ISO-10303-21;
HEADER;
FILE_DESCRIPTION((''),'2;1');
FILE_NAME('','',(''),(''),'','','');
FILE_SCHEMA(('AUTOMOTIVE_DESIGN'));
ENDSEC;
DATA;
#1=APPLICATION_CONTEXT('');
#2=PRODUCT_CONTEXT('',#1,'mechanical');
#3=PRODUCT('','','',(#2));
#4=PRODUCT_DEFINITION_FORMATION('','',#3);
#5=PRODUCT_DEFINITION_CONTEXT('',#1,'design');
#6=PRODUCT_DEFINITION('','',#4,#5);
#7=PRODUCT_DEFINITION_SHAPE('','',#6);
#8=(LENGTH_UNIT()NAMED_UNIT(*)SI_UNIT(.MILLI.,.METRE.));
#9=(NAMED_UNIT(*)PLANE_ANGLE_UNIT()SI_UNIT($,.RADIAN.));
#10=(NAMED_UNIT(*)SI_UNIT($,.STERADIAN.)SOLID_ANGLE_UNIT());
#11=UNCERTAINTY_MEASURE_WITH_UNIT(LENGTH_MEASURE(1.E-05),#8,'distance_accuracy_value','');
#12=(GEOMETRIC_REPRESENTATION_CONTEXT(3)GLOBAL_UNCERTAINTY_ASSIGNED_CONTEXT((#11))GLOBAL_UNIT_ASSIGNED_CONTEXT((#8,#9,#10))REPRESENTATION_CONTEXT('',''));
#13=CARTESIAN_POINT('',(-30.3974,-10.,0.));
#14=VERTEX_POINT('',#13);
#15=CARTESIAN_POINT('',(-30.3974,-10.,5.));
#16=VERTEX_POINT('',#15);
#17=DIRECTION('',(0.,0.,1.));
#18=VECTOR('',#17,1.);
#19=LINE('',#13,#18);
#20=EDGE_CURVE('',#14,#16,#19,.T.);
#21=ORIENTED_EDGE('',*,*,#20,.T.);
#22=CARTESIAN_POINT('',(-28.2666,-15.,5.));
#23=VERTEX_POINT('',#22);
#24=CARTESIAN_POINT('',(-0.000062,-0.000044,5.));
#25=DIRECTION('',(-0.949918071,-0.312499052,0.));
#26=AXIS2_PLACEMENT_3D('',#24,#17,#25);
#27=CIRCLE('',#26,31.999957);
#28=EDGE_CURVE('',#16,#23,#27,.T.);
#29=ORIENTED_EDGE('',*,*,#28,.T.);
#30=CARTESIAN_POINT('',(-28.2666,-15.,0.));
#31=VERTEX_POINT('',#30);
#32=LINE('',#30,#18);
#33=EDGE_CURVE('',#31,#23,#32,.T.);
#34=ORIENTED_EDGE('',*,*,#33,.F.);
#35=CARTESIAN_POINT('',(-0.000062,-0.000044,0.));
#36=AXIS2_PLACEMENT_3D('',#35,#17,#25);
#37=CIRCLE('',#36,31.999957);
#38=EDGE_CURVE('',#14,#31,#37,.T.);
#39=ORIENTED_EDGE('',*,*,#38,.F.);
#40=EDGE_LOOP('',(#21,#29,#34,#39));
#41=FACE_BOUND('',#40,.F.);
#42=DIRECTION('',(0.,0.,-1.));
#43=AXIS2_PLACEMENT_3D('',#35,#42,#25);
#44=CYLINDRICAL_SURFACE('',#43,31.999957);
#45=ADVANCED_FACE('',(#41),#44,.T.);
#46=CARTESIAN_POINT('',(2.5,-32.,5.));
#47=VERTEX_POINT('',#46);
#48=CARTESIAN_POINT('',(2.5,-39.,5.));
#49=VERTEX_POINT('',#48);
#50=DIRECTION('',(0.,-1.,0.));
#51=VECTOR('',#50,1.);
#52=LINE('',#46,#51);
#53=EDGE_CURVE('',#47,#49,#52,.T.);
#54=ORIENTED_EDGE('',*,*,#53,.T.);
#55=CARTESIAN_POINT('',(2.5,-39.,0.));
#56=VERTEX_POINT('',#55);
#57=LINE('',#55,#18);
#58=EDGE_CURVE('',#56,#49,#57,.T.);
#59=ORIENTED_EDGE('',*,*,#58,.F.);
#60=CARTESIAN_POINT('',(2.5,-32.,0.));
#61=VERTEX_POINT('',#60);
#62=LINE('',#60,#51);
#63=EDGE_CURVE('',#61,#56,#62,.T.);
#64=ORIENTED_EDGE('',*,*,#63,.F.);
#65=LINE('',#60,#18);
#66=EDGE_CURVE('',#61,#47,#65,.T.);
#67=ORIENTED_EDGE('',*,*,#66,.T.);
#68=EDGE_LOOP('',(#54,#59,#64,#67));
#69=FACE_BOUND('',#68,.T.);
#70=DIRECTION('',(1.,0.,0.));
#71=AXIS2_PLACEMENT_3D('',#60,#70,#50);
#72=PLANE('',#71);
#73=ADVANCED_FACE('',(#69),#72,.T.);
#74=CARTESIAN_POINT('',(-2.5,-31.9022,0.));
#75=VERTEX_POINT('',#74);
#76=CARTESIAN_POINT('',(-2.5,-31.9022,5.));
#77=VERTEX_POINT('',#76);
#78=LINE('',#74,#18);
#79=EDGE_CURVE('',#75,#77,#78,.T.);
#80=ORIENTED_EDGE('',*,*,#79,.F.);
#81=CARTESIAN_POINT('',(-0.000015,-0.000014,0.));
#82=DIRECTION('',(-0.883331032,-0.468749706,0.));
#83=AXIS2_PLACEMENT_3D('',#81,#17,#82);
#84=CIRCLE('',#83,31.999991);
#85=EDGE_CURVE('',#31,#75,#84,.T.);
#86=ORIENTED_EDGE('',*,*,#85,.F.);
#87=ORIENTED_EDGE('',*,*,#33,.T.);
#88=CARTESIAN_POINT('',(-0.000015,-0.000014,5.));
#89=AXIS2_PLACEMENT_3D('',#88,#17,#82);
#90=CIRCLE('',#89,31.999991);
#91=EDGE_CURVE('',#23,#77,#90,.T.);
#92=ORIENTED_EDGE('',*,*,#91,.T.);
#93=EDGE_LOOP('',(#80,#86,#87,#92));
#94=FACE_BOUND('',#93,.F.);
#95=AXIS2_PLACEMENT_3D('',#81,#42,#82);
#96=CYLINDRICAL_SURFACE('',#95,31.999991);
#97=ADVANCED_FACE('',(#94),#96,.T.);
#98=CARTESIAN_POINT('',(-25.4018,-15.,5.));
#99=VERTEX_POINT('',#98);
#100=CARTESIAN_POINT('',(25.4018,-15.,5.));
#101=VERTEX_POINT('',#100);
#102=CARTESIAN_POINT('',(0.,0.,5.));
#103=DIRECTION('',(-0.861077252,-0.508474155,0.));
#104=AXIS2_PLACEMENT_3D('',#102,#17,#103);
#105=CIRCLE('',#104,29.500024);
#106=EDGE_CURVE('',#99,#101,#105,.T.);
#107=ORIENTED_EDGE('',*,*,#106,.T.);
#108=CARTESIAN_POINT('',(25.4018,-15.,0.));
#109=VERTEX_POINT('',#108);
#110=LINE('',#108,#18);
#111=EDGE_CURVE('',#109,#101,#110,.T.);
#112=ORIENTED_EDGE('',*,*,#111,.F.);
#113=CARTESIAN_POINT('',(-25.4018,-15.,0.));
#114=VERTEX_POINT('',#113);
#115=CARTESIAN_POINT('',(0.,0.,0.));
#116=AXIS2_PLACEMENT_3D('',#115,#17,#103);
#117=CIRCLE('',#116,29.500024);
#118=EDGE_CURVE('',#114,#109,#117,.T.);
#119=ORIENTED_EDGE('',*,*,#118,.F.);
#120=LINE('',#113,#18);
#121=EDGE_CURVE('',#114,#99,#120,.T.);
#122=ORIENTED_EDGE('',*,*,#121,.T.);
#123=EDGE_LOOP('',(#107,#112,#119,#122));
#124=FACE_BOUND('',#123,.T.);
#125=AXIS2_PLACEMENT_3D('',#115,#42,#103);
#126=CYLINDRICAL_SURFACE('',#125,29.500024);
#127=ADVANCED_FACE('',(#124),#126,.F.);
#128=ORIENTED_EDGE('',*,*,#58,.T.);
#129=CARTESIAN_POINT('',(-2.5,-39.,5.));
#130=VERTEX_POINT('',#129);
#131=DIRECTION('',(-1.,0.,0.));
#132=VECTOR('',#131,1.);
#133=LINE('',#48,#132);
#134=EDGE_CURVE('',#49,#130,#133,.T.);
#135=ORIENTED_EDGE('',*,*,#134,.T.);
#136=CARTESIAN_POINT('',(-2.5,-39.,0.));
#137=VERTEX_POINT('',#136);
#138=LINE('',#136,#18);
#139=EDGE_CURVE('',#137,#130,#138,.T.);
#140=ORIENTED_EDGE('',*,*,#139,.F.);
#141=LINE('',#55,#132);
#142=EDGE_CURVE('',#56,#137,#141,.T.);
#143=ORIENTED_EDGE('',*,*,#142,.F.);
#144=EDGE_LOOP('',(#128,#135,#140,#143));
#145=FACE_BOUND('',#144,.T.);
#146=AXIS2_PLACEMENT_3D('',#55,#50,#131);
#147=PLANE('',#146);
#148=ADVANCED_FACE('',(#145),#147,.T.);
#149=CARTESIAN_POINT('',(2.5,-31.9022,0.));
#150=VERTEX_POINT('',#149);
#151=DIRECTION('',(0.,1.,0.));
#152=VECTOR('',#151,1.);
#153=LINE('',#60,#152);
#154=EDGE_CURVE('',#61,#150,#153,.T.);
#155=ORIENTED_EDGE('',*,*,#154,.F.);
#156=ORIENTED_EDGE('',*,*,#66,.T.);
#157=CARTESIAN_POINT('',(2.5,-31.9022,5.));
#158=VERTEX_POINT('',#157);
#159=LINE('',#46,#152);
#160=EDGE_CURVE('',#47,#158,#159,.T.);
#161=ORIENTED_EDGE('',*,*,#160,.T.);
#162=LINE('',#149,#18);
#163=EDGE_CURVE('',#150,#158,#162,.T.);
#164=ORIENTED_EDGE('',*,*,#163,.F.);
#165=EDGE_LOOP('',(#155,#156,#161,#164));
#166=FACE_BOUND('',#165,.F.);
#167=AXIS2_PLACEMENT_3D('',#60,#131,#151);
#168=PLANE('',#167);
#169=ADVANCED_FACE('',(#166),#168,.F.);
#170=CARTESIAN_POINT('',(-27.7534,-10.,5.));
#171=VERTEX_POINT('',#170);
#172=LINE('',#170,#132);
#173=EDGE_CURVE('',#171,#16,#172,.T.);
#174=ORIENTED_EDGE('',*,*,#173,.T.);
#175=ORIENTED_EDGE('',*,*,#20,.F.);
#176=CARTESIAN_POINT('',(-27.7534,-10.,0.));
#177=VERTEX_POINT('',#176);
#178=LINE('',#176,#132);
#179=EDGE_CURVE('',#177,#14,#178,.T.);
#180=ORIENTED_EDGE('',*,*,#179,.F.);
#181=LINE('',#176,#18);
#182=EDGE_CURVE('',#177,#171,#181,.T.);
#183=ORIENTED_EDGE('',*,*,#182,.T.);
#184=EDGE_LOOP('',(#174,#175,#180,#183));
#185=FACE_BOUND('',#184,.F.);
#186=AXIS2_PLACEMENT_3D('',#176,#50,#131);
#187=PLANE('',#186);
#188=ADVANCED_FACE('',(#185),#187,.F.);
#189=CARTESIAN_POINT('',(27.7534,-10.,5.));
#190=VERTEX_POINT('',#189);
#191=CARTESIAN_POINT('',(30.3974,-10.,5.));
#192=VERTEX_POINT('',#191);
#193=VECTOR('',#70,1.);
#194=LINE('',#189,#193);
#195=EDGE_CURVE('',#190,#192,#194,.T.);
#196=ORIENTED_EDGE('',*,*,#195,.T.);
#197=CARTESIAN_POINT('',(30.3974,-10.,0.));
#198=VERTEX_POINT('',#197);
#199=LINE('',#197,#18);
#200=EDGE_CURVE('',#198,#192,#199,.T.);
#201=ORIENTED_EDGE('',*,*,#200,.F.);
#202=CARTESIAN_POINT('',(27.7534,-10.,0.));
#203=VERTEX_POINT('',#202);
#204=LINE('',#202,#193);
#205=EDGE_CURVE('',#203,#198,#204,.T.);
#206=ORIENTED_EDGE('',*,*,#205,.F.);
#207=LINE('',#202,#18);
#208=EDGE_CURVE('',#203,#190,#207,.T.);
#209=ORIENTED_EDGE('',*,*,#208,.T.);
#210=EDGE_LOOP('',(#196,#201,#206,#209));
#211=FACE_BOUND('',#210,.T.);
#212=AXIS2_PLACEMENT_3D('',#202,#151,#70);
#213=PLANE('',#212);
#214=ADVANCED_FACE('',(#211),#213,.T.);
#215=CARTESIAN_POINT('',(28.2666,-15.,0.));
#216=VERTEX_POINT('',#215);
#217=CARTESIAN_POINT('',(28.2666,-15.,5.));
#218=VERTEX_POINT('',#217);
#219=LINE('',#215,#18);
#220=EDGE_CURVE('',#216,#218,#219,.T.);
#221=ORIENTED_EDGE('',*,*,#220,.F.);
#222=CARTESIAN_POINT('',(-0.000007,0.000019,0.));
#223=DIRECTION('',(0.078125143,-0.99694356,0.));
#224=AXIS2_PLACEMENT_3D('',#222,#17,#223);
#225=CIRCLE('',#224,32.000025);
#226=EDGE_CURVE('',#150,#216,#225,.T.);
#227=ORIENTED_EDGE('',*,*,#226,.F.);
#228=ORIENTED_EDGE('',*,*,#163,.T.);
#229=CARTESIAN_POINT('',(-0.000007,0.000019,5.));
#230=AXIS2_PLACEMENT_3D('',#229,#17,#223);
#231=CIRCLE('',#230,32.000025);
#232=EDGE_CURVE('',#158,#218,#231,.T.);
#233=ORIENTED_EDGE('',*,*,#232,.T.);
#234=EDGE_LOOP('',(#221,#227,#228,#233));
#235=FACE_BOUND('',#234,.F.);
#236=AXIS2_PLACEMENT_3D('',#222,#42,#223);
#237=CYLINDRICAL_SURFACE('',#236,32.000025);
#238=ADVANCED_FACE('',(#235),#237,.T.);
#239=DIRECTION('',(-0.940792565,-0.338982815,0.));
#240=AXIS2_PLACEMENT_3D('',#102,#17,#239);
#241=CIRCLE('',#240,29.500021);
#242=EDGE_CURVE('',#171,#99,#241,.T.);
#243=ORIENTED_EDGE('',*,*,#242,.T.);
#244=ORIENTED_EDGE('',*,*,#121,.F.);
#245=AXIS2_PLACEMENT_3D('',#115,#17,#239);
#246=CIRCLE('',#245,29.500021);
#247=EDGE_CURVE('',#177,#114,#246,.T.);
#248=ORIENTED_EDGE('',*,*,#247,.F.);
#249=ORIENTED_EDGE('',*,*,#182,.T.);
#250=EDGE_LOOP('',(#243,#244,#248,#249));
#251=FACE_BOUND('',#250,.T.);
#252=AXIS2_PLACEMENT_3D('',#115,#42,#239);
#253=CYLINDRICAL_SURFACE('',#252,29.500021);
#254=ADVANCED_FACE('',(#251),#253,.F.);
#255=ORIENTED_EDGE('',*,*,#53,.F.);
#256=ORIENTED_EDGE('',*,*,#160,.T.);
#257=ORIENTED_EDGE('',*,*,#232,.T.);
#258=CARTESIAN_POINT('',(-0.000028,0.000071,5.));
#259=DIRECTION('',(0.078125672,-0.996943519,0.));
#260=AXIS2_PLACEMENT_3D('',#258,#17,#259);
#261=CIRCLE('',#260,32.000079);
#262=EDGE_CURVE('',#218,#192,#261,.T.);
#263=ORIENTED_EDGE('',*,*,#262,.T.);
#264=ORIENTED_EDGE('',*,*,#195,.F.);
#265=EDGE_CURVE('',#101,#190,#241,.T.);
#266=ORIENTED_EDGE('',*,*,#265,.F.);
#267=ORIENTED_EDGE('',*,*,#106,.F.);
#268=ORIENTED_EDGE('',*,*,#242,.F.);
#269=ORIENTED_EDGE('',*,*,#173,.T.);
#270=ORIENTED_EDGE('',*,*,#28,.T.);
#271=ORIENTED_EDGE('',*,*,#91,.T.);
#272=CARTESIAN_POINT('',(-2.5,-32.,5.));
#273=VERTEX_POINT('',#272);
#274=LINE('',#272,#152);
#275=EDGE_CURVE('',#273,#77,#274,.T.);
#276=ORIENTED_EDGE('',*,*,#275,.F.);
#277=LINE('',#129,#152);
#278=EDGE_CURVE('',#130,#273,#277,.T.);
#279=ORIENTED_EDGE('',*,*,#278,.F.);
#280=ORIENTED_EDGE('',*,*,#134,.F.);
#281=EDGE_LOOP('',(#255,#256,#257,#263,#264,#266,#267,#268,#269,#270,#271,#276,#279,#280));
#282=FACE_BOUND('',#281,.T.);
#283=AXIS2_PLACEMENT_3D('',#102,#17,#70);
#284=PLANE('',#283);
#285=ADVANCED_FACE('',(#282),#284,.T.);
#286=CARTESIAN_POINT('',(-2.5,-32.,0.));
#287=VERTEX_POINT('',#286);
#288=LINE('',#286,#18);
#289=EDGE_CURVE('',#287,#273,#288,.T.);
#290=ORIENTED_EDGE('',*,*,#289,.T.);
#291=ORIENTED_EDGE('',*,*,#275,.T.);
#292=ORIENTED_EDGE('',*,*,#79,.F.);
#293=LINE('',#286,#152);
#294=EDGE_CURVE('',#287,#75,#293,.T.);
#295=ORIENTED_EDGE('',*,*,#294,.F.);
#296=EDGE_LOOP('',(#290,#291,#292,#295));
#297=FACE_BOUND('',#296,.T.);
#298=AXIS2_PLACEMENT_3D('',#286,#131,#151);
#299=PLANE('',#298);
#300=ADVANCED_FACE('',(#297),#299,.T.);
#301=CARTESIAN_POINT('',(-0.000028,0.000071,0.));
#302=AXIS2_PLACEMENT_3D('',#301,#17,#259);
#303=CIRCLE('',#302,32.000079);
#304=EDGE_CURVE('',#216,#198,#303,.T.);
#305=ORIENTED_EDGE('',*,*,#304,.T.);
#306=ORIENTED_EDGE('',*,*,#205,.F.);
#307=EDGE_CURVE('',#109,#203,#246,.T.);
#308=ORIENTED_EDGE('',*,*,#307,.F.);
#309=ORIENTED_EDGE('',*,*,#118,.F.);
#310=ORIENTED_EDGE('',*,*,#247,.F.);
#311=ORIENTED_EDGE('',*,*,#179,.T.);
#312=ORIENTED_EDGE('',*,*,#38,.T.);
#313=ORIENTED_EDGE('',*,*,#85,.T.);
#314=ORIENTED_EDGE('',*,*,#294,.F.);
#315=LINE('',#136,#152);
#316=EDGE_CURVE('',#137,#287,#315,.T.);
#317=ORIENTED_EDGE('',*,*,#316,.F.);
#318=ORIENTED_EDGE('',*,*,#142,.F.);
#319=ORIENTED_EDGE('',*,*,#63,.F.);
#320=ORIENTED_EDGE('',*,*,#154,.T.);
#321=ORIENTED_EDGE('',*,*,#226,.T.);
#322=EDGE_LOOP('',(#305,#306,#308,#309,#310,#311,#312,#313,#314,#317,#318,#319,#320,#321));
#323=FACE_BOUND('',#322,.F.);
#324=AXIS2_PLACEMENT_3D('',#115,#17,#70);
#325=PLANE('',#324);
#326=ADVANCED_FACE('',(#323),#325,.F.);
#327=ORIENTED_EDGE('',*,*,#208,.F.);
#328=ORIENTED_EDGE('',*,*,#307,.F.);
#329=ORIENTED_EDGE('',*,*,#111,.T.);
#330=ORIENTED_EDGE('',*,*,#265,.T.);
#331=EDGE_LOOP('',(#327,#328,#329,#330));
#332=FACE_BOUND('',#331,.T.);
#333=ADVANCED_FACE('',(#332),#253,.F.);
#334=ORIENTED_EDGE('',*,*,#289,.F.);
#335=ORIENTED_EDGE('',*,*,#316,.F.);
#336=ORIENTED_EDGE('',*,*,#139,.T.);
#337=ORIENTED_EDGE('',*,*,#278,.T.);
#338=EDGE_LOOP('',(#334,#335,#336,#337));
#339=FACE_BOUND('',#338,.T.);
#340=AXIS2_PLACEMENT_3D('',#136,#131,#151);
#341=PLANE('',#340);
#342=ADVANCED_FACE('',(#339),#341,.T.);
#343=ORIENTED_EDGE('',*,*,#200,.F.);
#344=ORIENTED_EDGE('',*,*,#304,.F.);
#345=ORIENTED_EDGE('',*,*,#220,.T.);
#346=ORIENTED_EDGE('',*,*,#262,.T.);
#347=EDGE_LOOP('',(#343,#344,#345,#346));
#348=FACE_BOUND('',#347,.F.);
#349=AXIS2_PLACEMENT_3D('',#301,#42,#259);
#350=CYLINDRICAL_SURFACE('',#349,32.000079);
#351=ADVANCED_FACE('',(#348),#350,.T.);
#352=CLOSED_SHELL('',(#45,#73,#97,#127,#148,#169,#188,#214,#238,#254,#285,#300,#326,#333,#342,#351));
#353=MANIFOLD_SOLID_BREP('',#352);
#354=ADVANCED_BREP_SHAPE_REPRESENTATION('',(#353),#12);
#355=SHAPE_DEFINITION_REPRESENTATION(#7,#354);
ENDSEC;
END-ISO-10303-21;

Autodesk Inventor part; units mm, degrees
ref_plane "YZ Plane" through (0, 0, 0) normal (1, 0, 0) x (0, 1, 0)
ref_plane "XZ Plane" through (0, 0, 0) normal (0, 1, 0) x (-1, 0, 0)
ref_plane "XY Plane" through (0, 0, 0) normal (0, 0, 1) x (1, 0, 0)
sketch "Sketch1" plane through (0, 0, 0) normal (0, 0, 1) x (1, 0, 0)
  arc A0 (-25.4018, -15) -> (25.4018, -15) centre (0, 0) ccw
  line L0 (2.5, -32) -> (2.5, -39)
  line L1 (2.5, -39) -> (-2.5, -39)
  line L2 (-2.5, -39) -> (-2.5, -32)
  line L3 (-2.5, -32) -> (-2.5, -31.9022)
  line L4 (2.5, -32) -> (2.5, -31.9022)
  arc A1 (-28.2666, -15) -> (-2.5, -31.9022) centre (0, 0) ccw
  arc A2 (2.5, -31.9022) -> (28.2666, -15) centre (0, 0) ccw
  arc A3 (-27.7534, -10) -> (27.7534, -10) centre (0, 0) ccw
  line L5 (-27.7534, -10) -> (-30.3974, -10)
  line L6 (27.7534, -10) -> (30.3974, -10)
  arc A4 (-30.3974, -10) -> (-2.5, -31.9022) centre (0, 0) ccw
  arc A5 (2.5, -31.9022) -> (30.3974, -10) centre (0, 0) ccw
  point P0 (25.4018, -15)
  point P1 (-28.2666, -15)
  dimension "d43" = 5
  dimension "d64" = 7
extrude "Extrusion6" add sketch "Sketch1" along normal blind 5
properties part number "Clip_TestFitV1"
